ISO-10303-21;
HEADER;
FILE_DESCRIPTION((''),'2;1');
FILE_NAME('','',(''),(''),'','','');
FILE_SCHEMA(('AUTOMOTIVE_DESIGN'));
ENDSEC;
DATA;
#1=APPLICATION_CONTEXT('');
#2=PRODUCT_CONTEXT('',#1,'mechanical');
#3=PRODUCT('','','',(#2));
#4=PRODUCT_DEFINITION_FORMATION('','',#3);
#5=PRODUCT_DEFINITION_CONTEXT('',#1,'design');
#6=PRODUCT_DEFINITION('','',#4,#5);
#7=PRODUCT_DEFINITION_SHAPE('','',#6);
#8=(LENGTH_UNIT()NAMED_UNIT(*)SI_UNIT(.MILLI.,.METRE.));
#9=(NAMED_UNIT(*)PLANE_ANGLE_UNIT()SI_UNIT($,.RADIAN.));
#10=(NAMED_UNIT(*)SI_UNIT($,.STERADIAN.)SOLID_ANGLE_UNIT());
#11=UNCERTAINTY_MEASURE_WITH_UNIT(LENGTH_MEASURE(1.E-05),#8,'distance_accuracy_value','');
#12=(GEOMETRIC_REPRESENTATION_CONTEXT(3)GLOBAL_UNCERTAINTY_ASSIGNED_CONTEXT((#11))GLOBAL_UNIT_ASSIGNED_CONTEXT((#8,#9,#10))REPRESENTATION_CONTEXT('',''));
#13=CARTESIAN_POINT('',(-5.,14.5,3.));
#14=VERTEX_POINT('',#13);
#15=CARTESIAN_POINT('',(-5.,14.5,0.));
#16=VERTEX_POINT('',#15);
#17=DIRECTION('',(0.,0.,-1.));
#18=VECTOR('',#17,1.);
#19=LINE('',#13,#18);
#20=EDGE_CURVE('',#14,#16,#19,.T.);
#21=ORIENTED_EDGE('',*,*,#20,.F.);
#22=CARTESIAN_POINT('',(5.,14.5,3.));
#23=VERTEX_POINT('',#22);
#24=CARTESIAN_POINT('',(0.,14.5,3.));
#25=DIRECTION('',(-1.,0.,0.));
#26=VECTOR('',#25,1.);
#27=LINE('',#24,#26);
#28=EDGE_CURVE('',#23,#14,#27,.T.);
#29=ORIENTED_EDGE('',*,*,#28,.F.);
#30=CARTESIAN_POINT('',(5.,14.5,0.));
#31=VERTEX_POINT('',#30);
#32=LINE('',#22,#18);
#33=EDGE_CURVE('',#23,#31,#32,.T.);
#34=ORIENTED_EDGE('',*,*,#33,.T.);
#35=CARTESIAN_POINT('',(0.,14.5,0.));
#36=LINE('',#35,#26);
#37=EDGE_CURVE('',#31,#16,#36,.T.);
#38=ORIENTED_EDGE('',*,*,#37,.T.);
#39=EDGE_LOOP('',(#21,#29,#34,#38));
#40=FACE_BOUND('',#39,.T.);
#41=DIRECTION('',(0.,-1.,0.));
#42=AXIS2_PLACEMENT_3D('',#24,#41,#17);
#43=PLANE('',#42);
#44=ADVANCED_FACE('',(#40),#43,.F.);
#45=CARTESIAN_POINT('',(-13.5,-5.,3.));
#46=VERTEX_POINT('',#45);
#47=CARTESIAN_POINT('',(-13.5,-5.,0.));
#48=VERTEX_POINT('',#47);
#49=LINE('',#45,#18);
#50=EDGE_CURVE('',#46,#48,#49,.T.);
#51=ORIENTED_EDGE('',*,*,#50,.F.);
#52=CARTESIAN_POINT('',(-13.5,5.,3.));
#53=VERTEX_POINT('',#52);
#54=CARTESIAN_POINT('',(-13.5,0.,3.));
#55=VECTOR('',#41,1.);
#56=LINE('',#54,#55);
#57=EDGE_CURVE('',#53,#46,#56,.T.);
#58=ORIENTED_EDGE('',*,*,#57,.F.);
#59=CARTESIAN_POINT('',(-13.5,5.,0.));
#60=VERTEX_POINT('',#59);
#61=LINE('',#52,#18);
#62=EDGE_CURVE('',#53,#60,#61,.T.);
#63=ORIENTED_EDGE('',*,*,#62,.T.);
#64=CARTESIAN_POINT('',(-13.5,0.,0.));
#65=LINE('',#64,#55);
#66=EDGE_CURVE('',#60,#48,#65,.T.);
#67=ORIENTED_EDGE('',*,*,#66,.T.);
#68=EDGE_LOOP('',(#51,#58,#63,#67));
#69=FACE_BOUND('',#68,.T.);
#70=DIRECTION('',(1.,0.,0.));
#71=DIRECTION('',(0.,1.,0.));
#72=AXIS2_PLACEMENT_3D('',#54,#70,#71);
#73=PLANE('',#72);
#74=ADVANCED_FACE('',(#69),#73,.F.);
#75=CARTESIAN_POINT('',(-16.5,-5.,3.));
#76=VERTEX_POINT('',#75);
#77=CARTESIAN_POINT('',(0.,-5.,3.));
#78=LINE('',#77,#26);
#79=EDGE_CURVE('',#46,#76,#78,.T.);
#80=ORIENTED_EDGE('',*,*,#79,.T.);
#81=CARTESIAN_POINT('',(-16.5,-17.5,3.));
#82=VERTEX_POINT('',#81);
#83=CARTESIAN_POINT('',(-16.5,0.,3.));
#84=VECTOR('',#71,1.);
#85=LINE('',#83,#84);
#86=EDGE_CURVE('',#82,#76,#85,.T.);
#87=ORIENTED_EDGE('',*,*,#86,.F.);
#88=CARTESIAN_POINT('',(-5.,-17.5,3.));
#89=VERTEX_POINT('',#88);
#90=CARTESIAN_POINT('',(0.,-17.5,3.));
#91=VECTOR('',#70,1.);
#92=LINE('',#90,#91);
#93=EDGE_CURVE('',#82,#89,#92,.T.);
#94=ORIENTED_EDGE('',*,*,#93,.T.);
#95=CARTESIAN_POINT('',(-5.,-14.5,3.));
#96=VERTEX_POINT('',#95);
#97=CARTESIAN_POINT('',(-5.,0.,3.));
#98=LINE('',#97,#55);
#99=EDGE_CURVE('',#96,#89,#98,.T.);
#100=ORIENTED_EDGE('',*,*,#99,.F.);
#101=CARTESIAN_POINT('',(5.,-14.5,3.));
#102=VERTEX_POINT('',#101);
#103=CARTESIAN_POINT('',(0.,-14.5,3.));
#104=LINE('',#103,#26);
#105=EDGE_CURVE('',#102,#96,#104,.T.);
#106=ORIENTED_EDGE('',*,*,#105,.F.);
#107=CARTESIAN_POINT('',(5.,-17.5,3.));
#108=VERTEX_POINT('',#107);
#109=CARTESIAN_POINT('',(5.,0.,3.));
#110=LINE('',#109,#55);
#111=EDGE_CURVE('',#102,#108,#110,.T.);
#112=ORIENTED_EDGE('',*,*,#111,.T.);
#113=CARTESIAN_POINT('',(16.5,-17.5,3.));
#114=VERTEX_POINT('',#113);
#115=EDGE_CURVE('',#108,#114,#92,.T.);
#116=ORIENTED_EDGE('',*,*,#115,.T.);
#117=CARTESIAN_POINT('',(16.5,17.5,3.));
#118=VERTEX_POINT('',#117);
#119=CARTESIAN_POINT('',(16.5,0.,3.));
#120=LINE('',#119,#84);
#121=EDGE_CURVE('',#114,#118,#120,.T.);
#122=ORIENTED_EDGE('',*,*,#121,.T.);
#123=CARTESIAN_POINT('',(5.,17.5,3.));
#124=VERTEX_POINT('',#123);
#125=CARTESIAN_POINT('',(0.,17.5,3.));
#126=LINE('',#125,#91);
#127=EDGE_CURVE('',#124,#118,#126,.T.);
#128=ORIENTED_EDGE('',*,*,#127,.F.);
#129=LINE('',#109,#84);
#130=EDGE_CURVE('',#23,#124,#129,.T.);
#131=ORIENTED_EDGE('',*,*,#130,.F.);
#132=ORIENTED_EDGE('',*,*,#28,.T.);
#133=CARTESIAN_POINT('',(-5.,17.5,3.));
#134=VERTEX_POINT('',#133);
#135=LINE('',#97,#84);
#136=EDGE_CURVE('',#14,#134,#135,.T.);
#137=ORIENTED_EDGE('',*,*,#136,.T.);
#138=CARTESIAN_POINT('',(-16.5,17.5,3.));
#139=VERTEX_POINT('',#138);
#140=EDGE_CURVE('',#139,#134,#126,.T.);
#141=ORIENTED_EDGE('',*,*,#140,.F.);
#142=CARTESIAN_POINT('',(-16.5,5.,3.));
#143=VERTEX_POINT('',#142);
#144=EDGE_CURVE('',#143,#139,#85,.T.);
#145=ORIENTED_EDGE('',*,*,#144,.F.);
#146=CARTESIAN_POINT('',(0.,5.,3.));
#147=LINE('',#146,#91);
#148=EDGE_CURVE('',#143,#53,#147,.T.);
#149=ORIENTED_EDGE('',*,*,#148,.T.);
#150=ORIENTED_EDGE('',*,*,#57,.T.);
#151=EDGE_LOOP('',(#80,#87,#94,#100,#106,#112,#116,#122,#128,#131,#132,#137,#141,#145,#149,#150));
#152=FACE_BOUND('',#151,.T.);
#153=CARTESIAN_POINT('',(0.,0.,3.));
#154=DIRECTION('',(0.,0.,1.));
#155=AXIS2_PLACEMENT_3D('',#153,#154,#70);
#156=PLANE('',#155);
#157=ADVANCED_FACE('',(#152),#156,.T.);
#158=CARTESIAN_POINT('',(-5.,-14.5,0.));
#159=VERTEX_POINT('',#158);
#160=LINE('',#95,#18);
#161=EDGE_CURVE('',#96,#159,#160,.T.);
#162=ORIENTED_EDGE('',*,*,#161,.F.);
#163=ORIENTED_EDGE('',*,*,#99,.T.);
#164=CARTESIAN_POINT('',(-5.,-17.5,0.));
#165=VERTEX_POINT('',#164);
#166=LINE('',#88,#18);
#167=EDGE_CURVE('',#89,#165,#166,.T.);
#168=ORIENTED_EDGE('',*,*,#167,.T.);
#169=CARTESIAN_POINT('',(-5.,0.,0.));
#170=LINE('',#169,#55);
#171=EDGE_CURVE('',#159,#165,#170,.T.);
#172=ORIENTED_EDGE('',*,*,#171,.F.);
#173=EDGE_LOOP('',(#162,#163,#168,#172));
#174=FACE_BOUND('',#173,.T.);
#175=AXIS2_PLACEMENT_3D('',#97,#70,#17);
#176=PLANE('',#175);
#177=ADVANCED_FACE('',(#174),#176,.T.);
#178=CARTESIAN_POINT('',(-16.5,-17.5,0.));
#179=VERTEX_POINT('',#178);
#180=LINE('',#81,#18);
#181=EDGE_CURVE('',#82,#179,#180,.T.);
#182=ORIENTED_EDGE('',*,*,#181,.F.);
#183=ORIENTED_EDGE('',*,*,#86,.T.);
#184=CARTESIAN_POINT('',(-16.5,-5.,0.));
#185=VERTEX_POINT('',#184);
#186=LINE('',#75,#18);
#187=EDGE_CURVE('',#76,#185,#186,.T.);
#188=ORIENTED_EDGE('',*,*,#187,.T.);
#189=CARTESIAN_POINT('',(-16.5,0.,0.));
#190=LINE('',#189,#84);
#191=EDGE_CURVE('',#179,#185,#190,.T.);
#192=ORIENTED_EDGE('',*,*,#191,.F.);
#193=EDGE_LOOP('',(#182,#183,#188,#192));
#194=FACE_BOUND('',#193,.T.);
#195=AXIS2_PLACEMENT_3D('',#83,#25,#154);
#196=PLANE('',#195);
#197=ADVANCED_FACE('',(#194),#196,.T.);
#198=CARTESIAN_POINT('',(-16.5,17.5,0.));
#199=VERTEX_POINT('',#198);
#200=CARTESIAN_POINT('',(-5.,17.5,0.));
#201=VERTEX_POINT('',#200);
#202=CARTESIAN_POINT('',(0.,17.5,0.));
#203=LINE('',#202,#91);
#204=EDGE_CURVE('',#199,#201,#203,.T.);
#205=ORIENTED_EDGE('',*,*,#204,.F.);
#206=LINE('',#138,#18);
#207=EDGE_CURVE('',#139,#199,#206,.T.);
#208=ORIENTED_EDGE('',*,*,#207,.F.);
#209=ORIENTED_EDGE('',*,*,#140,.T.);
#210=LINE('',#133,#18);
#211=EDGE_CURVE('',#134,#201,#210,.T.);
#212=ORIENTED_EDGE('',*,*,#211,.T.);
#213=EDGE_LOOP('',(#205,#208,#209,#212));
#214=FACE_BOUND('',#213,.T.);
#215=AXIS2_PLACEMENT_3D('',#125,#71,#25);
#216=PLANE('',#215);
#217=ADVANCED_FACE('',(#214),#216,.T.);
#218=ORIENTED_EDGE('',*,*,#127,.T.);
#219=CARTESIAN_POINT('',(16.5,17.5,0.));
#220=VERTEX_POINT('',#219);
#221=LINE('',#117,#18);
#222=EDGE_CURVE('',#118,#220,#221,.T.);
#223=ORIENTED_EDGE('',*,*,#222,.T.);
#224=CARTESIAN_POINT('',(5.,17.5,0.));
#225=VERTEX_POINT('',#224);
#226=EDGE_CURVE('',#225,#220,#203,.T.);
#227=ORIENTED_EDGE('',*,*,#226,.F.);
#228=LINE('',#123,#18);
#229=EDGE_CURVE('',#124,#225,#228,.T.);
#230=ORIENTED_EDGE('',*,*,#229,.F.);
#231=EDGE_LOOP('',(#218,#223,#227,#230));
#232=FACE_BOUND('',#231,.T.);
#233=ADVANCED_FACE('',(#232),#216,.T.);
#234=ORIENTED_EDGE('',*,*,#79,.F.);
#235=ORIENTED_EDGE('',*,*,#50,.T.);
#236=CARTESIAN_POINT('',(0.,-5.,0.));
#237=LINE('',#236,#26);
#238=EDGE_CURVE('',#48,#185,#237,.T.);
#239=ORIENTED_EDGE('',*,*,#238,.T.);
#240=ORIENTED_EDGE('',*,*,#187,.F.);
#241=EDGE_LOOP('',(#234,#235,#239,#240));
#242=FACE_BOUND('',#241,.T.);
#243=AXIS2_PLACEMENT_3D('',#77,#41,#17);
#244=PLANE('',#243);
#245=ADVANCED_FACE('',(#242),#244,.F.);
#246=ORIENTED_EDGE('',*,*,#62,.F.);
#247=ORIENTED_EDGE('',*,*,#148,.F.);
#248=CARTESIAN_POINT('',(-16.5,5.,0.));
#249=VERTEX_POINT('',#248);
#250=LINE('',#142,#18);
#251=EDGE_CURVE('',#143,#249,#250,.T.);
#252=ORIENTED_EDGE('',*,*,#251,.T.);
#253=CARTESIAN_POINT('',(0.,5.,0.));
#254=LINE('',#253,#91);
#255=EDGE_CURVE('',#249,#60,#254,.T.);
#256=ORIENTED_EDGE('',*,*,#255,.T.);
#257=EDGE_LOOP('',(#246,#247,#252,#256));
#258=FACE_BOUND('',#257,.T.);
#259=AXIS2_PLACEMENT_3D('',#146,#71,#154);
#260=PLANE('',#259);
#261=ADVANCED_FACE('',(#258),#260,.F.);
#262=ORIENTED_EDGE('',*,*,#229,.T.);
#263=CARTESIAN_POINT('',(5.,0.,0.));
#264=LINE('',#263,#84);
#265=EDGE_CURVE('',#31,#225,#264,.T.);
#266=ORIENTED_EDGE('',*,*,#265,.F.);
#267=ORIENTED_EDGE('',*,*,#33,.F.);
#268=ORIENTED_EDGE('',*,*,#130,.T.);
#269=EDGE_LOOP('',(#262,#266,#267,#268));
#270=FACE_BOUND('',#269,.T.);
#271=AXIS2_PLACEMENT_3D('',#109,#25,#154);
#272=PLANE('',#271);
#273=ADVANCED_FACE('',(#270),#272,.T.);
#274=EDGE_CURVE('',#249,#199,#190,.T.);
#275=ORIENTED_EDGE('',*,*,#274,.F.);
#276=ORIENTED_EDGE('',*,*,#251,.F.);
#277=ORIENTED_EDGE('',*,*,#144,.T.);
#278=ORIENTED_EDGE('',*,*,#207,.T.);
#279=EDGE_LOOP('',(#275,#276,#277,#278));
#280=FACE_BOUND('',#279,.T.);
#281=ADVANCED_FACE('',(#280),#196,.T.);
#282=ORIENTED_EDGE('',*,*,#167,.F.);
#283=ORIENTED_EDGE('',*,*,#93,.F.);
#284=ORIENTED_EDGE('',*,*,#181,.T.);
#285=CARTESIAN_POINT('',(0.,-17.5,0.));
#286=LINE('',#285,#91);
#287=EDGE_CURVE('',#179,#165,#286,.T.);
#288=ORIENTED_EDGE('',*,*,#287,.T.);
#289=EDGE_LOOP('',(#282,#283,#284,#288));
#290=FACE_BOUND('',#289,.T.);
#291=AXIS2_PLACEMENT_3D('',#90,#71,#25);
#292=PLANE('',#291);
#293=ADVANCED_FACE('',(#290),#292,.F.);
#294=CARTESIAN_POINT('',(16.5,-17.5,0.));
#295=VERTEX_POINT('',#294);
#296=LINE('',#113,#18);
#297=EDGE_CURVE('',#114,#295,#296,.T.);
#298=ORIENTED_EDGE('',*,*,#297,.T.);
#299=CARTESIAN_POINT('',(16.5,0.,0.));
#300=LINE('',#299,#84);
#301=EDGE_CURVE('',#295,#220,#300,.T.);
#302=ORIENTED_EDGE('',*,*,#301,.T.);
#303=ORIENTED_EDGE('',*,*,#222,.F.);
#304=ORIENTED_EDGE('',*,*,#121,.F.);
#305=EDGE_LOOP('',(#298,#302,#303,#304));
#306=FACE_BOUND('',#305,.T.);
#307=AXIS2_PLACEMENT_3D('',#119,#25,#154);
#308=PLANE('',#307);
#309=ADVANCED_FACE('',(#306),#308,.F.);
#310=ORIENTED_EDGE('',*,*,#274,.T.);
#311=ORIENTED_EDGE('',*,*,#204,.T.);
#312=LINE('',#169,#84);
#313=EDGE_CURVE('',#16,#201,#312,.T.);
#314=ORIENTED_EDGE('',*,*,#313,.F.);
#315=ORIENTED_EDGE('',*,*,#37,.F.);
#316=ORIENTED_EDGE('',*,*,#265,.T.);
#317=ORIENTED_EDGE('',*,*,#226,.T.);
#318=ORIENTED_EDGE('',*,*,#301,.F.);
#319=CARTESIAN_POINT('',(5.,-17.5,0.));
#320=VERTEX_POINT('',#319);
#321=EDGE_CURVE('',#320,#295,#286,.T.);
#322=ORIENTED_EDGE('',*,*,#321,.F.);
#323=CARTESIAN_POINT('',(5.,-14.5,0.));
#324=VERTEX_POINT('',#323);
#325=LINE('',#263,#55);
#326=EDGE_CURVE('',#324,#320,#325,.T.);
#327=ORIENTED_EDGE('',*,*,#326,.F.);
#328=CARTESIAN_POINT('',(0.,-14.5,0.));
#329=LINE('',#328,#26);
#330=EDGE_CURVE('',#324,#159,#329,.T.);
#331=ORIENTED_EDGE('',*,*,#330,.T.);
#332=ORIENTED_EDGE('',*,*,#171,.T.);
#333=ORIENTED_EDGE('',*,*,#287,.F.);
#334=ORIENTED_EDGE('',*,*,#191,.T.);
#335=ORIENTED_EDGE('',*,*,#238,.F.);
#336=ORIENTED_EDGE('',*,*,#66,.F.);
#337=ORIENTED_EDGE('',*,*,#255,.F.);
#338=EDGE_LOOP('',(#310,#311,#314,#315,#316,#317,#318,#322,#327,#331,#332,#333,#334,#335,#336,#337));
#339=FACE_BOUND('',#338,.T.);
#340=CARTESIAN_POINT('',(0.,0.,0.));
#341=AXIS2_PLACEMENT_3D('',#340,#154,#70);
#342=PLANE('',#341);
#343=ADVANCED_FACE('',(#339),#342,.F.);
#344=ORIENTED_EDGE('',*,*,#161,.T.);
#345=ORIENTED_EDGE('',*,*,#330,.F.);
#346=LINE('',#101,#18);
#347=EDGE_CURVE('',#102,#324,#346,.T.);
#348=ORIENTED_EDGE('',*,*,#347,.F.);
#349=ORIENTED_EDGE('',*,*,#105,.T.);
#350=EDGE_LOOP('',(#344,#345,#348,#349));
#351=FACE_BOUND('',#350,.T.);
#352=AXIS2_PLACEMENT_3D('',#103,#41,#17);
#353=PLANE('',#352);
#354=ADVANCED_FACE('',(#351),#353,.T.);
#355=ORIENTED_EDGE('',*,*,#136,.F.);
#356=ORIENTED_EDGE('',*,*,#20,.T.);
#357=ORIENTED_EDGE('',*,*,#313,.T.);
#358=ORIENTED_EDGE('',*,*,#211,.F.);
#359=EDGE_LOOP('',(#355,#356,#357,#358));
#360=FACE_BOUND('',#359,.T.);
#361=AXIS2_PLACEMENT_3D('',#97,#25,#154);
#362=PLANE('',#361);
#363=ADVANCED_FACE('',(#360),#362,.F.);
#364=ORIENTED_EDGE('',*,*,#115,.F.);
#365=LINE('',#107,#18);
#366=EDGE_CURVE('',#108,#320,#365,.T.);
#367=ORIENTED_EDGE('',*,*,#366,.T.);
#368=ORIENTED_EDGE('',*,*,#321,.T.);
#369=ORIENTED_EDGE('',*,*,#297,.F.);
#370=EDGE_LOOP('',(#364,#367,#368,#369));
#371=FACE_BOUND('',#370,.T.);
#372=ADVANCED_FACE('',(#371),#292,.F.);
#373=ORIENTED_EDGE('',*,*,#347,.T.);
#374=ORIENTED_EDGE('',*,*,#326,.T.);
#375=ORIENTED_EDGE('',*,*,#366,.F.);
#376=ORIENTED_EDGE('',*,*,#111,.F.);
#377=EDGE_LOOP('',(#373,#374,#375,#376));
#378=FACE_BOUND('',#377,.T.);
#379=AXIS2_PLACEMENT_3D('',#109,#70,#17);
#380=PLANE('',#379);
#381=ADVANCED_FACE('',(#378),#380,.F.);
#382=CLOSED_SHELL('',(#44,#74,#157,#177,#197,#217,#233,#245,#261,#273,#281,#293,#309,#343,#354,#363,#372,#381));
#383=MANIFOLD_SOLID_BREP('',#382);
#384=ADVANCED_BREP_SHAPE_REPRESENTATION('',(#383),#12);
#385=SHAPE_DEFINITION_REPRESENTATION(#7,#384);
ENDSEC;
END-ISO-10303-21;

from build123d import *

# Parameters (mm, degrees)
RESSALTO_EXTRUS_O1_DEPTH = 3


with BuildPart() as part:
    # Esboço1 → Ressalto-extrusão1 (new body)
    with BuildSketch(Plane.XY):
        Polygon((-16.5, -5), (-16.5, -17.5), (-5, -17.5), (-5, -14.5), (5, -14.5), (5, -17.5), (16.5, -17.5), (16.5, 17.5), (5, 17.5), (5, 14.5), (-5, 14.5), (-5, 17.5), (-16.5, 17.5), (-16.5, 5), (-13.5, 5), (-13.5, -5), align=None)
    extrude(amount=RESSALTO_EXTRUS_O1_DEPTH)


solid = part.part
